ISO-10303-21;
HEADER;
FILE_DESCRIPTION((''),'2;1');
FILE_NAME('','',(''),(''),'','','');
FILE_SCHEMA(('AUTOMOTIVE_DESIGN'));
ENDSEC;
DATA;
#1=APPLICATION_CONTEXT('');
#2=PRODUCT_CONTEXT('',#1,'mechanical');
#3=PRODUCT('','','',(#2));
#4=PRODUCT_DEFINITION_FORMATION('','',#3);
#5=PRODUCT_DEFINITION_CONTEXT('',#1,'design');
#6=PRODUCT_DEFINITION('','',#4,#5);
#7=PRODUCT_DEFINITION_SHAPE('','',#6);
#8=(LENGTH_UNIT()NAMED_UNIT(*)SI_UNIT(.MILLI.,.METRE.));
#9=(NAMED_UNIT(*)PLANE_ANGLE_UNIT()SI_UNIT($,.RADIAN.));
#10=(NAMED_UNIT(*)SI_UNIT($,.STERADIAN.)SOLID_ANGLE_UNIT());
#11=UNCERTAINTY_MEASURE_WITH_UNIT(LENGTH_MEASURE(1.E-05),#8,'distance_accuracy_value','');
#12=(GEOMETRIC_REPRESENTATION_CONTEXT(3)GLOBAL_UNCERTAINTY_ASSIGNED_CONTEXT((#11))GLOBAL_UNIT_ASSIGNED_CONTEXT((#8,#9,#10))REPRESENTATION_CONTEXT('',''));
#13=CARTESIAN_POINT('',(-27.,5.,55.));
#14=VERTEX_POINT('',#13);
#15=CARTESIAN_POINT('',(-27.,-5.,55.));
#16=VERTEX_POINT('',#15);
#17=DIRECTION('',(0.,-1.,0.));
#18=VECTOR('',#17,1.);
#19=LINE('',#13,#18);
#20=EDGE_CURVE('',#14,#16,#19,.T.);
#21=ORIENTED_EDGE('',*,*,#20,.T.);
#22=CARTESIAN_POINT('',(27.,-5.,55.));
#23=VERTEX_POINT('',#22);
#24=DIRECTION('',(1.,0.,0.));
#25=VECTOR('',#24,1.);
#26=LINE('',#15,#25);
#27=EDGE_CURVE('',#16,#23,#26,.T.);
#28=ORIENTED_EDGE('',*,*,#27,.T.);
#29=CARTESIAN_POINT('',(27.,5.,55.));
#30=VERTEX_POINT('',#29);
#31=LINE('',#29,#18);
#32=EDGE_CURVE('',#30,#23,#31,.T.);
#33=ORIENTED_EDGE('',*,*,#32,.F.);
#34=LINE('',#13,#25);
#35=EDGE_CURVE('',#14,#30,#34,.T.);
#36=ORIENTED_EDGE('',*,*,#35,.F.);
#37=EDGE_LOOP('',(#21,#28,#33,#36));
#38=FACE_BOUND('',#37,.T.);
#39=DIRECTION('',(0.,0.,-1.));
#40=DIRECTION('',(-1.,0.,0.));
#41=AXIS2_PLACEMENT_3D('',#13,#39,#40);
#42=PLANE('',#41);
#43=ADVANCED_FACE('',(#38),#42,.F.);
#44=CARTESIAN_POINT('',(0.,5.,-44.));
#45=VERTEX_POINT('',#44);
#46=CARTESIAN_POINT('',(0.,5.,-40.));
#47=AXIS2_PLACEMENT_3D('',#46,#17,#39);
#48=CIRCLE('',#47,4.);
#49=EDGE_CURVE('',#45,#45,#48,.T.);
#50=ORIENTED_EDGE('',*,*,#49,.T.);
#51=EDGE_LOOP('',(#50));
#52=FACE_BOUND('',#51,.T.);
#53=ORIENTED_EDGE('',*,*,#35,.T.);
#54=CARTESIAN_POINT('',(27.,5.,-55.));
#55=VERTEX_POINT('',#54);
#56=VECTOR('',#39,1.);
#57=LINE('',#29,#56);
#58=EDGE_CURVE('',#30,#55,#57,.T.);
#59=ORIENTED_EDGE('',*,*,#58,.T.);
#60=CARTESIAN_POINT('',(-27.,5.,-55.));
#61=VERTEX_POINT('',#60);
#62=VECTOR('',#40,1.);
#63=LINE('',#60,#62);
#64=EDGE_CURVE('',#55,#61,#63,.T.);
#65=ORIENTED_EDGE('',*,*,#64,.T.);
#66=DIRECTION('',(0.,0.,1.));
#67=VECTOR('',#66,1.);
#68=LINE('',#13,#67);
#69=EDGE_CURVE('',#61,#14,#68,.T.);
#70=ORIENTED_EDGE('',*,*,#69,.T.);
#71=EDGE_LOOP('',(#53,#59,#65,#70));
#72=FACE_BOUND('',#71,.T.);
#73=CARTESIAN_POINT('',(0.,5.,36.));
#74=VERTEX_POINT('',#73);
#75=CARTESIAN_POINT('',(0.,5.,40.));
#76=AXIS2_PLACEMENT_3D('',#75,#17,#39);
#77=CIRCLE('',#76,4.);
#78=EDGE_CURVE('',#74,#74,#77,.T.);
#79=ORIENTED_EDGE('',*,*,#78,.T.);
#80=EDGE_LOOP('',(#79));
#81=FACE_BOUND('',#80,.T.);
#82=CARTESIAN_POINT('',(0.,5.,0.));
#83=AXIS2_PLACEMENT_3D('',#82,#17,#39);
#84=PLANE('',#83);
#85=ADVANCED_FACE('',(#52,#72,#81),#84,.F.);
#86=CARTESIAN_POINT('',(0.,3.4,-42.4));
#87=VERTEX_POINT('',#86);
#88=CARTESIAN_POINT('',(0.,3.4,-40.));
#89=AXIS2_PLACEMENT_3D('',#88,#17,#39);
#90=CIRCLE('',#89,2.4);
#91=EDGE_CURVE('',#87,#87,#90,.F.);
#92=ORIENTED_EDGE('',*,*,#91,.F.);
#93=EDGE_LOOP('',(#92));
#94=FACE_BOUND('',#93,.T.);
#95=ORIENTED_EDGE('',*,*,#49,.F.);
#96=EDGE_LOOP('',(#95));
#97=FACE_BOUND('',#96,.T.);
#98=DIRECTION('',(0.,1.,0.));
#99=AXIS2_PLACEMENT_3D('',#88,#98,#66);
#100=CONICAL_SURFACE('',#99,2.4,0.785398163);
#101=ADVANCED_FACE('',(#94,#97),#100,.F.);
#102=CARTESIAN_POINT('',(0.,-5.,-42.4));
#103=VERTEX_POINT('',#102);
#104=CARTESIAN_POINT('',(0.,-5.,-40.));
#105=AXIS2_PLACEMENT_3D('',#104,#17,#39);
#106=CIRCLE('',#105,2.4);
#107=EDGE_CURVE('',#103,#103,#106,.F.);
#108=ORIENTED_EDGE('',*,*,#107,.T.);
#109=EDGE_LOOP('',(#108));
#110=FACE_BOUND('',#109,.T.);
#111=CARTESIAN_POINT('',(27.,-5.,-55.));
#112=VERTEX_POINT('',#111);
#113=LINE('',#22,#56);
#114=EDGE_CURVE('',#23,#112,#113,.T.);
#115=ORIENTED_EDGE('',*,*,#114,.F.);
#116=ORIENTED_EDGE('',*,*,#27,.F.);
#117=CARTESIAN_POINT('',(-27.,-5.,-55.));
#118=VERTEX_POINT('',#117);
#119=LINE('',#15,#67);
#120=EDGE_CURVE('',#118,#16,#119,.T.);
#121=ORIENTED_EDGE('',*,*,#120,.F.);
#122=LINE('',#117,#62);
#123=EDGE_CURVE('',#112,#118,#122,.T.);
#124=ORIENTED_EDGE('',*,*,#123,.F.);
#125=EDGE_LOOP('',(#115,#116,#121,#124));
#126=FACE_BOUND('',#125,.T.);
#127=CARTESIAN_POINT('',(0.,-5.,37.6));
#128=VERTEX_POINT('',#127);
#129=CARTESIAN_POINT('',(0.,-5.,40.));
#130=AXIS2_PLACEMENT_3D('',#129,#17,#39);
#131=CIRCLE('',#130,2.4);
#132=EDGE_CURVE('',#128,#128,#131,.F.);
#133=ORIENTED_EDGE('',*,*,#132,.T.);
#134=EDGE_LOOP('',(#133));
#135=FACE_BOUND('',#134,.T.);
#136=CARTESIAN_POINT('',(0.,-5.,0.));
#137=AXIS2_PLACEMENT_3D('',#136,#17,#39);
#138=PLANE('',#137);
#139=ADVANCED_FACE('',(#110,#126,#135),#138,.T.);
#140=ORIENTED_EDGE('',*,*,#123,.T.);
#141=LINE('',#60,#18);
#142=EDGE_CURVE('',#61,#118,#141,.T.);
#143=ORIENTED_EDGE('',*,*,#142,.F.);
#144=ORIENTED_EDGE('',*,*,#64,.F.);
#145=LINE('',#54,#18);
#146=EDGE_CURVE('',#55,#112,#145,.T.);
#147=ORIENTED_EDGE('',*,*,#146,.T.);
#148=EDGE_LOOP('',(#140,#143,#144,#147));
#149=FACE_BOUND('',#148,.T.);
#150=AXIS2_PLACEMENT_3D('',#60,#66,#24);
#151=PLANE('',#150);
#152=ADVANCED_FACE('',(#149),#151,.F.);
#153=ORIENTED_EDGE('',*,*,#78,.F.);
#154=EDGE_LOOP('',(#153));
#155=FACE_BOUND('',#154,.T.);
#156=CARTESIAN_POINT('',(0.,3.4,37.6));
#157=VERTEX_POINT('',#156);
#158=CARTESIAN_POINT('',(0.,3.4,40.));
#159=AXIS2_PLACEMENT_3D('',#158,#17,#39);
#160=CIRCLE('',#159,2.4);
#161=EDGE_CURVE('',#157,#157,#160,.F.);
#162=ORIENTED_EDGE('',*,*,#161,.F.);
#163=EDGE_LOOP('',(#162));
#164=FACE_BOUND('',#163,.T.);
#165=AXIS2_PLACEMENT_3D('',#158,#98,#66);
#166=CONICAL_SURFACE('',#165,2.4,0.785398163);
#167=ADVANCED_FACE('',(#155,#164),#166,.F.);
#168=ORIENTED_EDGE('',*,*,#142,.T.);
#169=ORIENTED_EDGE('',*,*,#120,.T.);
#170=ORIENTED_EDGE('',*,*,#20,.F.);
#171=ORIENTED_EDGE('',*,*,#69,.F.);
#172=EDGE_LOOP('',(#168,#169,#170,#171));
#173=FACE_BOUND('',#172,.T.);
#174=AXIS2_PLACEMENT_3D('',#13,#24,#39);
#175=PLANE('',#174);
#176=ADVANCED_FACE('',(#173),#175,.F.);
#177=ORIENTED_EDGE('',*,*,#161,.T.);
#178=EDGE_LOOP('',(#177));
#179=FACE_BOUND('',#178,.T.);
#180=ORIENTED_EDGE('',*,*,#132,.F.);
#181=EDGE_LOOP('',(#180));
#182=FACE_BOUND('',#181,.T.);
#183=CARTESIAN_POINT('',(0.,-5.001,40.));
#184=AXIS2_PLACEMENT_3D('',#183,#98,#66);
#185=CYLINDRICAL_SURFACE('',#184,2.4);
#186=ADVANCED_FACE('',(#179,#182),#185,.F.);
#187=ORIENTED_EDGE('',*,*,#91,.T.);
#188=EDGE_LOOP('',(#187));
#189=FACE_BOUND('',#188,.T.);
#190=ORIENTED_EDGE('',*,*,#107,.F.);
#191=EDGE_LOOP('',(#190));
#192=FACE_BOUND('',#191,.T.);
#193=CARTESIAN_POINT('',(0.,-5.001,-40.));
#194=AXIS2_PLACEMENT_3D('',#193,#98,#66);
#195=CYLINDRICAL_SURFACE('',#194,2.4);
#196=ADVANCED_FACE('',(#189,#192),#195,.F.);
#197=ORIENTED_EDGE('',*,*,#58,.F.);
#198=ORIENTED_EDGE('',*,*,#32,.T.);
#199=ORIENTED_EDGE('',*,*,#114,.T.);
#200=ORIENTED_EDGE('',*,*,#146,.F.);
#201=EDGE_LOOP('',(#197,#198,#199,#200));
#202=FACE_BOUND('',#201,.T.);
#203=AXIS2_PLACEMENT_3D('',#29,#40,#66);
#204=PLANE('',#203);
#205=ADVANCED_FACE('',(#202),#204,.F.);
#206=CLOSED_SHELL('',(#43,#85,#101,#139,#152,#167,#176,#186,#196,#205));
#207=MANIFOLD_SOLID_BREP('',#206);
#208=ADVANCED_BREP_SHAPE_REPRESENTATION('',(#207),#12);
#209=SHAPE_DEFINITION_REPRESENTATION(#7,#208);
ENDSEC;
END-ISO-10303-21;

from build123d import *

# Parameters (mm, degrees)
SKETCH_2_W          = 54
SKETCH_2_H          = 110
EXTRUDE_1_DEPTH     = 5
CUT_EXTRUDE_1_REACH = 64.081
SKETCH_3_R          = 2.4
CHAMFER_1_SIZE      = 1.6


with BuildPart() as part:
    # Эскиз2 → Бобышка-Вытянуть1 (new, symmetric)
    with BuildSketch(Plane(origin=(0, 0, 0), x_dir=(1, 0, 0), z_dir=(0, 1, 0))):
        Rectangle(SKETCH_2_W, SKETCH_2_H)
    extrude(amount=EXTRUDE_1_DEPTH, both=True)

    # Эскиз3 → Вырез-Вытянуть1 (cut, up to next)
    with BuildSketch(Plane(origin=(0, 5, 0), x_dir=(1, 0, 0), z_dir=(0, 1, 0)), mode=Mode.PRIVATE) as cut_extrude_1_sk1:
        with Locations(Location((0, 40, 0), (0, 0, 270))):
            Circle(SKETCH_3_R)
    cut_extrude_1_tool1 = extrude(cut_extrude_1_sk1.sketch, amount=-CUT_EXTRUDE_1_REACH, mode=Mode.PRIVATE) & part.part
    # Эскиз3 → Вырез-Вытянуть1 (cut, up to next)
    with BuildSketch(Plane(origin=(0, 5, 0), x_dir=(1, 0, 0), z_dir=(0, 1, 0)), mode=Mode.PRIVATE) as cut_extrude_1_sk2:
        with Locations(Location((0, -40, 0), (0, 0, 270))):
            Circle(SKETCH_3_R)
    cut_extrude_1_tool2 = extrude(cut_extrude_1_sk2.sketch, amount=-CUT_EXTRUDE_1_REACH, mode=Mode.PRIVATE) & part.part
    add(cut_extrude_1_tool1.solids().sort_by_distance((0, 5, -40))[0], mode=Mode.SUBTRACT)
    add(cut_extrude_1_tool2.solids().sort_by_distance((0, 5, 40))[0], mode=Mode.SUBTRACT)

    # Фаска1
    chamfer_1_edges = [part.edges().sort_by_distance(p)[0] for p in [
        (0, 5, -42.4),
        (0, 5, 37.6),
    ]]
    chamfer(chamfer_1_edges, length=CHAMFER_1_SIZE)


solid = part.part
